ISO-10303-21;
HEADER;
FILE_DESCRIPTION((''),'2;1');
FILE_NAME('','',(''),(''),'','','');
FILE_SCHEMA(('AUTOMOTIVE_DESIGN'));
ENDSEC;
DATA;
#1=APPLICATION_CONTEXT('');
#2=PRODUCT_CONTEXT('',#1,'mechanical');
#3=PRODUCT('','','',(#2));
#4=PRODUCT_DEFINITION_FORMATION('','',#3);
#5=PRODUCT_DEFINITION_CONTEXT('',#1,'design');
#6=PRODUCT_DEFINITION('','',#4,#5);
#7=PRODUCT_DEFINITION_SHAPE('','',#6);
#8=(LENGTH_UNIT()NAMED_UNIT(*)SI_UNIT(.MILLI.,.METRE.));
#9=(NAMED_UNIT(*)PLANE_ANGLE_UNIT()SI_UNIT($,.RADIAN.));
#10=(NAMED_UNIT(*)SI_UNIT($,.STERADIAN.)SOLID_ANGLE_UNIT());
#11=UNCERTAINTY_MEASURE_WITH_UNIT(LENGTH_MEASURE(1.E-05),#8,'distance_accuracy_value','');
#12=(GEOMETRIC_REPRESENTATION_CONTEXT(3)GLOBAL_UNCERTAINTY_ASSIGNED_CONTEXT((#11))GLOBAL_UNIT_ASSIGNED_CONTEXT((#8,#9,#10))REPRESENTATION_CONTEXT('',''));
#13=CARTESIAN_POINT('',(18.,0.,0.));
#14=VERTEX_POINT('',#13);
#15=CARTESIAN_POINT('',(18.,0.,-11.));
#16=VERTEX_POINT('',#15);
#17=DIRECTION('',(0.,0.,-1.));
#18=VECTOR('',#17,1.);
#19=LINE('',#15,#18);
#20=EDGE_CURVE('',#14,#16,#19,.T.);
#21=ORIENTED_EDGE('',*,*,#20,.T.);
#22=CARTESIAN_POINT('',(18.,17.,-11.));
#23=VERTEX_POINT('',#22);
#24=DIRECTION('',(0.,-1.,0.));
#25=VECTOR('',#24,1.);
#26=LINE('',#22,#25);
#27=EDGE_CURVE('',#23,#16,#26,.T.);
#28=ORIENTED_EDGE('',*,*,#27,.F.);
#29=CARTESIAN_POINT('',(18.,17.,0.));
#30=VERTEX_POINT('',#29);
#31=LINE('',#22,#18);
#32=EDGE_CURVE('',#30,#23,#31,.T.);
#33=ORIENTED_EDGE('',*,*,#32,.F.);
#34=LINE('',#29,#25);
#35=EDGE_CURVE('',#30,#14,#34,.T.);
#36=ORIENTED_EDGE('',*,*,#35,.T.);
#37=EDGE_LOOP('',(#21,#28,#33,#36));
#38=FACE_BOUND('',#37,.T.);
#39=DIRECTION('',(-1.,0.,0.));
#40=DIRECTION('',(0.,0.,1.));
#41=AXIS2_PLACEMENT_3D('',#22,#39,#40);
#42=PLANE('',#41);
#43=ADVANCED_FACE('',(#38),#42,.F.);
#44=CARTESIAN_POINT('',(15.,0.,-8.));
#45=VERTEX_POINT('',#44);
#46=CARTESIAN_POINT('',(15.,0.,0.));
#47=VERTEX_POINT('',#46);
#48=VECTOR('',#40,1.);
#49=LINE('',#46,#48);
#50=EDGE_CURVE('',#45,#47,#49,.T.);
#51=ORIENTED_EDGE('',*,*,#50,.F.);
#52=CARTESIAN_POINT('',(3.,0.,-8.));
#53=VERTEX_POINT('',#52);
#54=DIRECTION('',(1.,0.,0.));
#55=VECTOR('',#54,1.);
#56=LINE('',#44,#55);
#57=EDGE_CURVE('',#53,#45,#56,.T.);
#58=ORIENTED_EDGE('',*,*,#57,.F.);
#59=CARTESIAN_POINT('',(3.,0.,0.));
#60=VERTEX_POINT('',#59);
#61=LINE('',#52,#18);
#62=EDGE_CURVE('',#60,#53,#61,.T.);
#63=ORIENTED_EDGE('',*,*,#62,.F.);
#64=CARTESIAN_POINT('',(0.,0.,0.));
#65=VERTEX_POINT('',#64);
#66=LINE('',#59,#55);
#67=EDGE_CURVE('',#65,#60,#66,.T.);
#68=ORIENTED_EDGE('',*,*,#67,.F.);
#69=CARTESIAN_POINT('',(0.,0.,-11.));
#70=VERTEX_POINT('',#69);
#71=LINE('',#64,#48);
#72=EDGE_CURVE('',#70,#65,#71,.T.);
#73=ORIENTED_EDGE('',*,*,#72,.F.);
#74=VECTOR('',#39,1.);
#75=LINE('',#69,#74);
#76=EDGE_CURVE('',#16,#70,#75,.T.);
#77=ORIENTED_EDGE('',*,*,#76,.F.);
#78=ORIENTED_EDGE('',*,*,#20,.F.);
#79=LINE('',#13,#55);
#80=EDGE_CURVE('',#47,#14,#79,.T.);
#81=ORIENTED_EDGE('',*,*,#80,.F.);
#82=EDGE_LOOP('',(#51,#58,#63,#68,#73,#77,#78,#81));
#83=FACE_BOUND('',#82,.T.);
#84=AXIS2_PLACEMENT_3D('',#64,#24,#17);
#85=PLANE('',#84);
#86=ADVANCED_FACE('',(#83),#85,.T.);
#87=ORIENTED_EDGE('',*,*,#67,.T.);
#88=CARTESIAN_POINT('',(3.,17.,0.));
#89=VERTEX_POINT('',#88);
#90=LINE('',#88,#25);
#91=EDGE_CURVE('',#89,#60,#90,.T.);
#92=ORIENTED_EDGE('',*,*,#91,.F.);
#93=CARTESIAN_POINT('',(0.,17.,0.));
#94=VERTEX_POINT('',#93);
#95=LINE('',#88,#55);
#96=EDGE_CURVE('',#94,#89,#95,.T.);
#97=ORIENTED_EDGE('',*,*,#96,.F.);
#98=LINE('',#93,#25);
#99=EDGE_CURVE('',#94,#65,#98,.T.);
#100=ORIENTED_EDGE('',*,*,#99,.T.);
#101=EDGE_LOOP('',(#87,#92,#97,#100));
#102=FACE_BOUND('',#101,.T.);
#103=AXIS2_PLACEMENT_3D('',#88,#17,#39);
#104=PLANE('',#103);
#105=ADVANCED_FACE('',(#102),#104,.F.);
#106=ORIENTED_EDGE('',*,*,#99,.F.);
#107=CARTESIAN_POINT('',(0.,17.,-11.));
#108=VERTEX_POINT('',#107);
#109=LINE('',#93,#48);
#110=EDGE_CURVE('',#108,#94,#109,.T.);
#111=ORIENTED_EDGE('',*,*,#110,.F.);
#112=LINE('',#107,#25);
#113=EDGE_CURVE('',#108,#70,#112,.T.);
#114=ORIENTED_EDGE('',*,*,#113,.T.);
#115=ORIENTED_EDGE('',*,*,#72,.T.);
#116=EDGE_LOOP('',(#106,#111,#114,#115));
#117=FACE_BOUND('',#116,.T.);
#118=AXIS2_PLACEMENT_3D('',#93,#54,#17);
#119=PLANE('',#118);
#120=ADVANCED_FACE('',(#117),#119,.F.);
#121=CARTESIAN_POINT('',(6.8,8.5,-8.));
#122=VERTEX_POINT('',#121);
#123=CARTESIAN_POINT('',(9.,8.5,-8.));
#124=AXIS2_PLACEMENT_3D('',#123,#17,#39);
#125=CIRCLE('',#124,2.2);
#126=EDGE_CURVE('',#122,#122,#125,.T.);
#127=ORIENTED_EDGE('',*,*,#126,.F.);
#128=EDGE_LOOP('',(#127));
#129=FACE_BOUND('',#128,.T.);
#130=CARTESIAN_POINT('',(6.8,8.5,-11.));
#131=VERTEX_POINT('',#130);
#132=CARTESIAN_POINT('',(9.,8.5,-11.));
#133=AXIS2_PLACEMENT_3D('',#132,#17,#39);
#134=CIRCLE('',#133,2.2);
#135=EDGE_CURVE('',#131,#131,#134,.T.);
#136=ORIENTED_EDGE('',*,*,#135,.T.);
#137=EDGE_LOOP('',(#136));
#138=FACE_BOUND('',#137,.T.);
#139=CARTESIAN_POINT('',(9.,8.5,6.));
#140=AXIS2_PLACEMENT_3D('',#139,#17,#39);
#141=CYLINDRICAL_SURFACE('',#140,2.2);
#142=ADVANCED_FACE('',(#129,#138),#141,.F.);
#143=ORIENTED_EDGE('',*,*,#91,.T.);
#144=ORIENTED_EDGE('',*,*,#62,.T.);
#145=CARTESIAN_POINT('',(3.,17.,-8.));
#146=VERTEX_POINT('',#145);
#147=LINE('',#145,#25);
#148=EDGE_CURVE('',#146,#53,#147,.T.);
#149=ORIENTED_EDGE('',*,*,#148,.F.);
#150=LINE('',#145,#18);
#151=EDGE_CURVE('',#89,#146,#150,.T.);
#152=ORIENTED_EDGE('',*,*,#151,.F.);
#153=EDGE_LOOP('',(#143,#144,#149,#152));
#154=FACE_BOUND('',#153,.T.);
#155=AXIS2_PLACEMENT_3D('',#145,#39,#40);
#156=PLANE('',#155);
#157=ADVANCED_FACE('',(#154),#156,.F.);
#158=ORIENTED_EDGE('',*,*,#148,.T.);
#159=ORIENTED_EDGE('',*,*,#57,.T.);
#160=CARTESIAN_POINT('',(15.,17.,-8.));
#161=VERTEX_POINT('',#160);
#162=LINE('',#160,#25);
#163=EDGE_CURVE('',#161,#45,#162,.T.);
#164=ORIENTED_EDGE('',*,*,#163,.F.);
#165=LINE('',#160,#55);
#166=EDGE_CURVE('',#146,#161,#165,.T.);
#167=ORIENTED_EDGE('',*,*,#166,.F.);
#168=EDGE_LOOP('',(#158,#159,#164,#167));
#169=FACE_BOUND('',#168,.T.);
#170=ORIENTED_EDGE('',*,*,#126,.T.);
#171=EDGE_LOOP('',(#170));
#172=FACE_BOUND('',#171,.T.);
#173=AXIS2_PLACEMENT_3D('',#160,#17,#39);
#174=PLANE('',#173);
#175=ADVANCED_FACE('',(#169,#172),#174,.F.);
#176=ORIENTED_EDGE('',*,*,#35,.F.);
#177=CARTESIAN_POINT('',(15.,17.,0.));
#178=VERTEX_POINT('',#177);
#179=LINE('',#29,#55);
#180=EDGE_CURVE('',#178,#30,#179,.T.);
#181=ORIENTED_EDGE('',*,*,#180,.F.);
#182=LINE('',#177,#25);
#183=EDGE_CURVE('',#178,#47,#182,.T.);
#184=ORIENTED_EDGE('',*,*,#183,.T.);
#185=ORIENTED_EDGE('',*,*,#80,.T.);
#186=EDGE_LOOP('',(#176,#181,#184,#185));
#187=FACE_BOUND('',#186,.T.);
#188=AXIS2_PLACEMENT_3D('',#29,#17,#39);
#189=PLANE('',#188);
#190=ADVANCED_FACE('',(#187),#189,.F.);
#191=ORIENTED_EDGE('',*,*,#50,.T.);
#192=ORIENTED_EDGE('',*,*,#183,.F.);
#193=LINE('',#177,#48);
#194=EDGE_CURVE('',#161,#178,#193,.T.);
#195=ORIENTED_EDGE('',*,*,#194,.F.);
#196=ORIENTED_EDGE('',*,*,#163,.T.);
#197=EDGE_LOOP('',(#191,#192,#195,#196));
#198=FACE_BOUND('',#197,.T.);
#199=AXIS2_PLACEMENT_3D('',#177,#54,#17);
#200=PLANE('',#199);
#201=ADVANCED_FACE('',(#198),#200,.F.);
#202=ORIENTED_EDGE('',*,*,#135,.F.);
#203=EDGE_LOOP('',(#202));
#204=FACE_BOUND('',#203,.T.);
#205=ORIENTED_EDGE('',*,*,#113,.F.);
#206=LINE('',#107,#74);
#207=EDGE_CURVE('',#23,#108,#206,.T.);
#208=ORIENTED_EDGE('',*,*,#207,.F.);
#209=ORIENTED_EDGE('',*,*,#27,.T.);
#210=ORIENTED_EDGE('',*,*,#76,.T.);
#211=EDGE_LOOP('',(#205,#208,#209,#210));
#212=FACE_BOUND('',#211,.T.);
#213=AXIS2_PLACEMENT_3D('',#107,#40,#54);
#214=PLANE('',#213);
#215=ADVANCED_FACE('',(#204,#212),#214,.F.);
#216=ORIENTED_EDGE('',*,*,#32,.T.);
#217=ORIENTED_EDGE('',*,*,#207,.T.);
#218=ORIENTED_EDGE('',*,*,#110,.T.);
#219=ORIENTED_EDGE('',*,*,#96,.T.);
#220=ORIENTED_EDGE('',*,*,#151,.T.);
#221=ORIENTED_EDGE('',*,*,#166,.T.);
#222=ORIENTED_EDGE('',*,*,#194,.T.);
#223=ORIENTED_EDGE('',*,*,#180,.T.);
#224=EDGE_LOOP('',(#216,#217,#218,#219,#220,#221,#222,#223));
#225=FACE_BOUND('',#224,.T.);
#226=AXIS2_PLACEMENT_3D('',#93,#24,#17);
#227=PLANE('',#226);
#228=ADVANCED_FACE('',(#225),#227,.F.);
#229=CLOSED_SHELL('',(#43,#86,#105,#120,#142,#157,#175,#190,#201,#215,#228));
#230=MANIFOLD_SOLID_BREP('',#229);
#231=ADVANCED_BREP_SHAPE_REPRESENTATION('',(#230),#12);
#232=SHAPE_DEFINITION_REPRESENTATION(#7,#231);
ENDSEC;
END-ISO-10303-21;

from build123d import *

# Parameters (mm, degrees)
BOSS_EXTRUDE1_DEPTH = 17
SKETCH2_R           = 2.2
CUT_EXTRUDE1_DEPTH  = 17


with BuildPart() as part:
    # Sketch1 → Boss-Extrude1 (new body)
    with BuildSketch(Plane(origin=(0, 0, 0), x_dir=(1, 0, 0), z_dir=(0, 1, 0))):
        Polygon((0, 0), (0, 11), (18, 11), (18, 0), (15, 0), (15, 8), (3, 8), (3, 0), align=None)
    extrude(amount=BOSS_EXTRUDE1_DEPTH)

    # Sketch2 → Cut-Extrude1 (cut)
    with BuildSketch(Plane(origin=(0, 0, -11), x_dir=(-1, 0, 0), z_dir=(0, 0, -1))):
        with Locations((-9, 8.5)):
            Circle(SKETCH2_R)
    extrude(amount=-CUT_EXTRUDE1_DEPTH, mode=Mode.SUBTRACT)


solid = part.part
